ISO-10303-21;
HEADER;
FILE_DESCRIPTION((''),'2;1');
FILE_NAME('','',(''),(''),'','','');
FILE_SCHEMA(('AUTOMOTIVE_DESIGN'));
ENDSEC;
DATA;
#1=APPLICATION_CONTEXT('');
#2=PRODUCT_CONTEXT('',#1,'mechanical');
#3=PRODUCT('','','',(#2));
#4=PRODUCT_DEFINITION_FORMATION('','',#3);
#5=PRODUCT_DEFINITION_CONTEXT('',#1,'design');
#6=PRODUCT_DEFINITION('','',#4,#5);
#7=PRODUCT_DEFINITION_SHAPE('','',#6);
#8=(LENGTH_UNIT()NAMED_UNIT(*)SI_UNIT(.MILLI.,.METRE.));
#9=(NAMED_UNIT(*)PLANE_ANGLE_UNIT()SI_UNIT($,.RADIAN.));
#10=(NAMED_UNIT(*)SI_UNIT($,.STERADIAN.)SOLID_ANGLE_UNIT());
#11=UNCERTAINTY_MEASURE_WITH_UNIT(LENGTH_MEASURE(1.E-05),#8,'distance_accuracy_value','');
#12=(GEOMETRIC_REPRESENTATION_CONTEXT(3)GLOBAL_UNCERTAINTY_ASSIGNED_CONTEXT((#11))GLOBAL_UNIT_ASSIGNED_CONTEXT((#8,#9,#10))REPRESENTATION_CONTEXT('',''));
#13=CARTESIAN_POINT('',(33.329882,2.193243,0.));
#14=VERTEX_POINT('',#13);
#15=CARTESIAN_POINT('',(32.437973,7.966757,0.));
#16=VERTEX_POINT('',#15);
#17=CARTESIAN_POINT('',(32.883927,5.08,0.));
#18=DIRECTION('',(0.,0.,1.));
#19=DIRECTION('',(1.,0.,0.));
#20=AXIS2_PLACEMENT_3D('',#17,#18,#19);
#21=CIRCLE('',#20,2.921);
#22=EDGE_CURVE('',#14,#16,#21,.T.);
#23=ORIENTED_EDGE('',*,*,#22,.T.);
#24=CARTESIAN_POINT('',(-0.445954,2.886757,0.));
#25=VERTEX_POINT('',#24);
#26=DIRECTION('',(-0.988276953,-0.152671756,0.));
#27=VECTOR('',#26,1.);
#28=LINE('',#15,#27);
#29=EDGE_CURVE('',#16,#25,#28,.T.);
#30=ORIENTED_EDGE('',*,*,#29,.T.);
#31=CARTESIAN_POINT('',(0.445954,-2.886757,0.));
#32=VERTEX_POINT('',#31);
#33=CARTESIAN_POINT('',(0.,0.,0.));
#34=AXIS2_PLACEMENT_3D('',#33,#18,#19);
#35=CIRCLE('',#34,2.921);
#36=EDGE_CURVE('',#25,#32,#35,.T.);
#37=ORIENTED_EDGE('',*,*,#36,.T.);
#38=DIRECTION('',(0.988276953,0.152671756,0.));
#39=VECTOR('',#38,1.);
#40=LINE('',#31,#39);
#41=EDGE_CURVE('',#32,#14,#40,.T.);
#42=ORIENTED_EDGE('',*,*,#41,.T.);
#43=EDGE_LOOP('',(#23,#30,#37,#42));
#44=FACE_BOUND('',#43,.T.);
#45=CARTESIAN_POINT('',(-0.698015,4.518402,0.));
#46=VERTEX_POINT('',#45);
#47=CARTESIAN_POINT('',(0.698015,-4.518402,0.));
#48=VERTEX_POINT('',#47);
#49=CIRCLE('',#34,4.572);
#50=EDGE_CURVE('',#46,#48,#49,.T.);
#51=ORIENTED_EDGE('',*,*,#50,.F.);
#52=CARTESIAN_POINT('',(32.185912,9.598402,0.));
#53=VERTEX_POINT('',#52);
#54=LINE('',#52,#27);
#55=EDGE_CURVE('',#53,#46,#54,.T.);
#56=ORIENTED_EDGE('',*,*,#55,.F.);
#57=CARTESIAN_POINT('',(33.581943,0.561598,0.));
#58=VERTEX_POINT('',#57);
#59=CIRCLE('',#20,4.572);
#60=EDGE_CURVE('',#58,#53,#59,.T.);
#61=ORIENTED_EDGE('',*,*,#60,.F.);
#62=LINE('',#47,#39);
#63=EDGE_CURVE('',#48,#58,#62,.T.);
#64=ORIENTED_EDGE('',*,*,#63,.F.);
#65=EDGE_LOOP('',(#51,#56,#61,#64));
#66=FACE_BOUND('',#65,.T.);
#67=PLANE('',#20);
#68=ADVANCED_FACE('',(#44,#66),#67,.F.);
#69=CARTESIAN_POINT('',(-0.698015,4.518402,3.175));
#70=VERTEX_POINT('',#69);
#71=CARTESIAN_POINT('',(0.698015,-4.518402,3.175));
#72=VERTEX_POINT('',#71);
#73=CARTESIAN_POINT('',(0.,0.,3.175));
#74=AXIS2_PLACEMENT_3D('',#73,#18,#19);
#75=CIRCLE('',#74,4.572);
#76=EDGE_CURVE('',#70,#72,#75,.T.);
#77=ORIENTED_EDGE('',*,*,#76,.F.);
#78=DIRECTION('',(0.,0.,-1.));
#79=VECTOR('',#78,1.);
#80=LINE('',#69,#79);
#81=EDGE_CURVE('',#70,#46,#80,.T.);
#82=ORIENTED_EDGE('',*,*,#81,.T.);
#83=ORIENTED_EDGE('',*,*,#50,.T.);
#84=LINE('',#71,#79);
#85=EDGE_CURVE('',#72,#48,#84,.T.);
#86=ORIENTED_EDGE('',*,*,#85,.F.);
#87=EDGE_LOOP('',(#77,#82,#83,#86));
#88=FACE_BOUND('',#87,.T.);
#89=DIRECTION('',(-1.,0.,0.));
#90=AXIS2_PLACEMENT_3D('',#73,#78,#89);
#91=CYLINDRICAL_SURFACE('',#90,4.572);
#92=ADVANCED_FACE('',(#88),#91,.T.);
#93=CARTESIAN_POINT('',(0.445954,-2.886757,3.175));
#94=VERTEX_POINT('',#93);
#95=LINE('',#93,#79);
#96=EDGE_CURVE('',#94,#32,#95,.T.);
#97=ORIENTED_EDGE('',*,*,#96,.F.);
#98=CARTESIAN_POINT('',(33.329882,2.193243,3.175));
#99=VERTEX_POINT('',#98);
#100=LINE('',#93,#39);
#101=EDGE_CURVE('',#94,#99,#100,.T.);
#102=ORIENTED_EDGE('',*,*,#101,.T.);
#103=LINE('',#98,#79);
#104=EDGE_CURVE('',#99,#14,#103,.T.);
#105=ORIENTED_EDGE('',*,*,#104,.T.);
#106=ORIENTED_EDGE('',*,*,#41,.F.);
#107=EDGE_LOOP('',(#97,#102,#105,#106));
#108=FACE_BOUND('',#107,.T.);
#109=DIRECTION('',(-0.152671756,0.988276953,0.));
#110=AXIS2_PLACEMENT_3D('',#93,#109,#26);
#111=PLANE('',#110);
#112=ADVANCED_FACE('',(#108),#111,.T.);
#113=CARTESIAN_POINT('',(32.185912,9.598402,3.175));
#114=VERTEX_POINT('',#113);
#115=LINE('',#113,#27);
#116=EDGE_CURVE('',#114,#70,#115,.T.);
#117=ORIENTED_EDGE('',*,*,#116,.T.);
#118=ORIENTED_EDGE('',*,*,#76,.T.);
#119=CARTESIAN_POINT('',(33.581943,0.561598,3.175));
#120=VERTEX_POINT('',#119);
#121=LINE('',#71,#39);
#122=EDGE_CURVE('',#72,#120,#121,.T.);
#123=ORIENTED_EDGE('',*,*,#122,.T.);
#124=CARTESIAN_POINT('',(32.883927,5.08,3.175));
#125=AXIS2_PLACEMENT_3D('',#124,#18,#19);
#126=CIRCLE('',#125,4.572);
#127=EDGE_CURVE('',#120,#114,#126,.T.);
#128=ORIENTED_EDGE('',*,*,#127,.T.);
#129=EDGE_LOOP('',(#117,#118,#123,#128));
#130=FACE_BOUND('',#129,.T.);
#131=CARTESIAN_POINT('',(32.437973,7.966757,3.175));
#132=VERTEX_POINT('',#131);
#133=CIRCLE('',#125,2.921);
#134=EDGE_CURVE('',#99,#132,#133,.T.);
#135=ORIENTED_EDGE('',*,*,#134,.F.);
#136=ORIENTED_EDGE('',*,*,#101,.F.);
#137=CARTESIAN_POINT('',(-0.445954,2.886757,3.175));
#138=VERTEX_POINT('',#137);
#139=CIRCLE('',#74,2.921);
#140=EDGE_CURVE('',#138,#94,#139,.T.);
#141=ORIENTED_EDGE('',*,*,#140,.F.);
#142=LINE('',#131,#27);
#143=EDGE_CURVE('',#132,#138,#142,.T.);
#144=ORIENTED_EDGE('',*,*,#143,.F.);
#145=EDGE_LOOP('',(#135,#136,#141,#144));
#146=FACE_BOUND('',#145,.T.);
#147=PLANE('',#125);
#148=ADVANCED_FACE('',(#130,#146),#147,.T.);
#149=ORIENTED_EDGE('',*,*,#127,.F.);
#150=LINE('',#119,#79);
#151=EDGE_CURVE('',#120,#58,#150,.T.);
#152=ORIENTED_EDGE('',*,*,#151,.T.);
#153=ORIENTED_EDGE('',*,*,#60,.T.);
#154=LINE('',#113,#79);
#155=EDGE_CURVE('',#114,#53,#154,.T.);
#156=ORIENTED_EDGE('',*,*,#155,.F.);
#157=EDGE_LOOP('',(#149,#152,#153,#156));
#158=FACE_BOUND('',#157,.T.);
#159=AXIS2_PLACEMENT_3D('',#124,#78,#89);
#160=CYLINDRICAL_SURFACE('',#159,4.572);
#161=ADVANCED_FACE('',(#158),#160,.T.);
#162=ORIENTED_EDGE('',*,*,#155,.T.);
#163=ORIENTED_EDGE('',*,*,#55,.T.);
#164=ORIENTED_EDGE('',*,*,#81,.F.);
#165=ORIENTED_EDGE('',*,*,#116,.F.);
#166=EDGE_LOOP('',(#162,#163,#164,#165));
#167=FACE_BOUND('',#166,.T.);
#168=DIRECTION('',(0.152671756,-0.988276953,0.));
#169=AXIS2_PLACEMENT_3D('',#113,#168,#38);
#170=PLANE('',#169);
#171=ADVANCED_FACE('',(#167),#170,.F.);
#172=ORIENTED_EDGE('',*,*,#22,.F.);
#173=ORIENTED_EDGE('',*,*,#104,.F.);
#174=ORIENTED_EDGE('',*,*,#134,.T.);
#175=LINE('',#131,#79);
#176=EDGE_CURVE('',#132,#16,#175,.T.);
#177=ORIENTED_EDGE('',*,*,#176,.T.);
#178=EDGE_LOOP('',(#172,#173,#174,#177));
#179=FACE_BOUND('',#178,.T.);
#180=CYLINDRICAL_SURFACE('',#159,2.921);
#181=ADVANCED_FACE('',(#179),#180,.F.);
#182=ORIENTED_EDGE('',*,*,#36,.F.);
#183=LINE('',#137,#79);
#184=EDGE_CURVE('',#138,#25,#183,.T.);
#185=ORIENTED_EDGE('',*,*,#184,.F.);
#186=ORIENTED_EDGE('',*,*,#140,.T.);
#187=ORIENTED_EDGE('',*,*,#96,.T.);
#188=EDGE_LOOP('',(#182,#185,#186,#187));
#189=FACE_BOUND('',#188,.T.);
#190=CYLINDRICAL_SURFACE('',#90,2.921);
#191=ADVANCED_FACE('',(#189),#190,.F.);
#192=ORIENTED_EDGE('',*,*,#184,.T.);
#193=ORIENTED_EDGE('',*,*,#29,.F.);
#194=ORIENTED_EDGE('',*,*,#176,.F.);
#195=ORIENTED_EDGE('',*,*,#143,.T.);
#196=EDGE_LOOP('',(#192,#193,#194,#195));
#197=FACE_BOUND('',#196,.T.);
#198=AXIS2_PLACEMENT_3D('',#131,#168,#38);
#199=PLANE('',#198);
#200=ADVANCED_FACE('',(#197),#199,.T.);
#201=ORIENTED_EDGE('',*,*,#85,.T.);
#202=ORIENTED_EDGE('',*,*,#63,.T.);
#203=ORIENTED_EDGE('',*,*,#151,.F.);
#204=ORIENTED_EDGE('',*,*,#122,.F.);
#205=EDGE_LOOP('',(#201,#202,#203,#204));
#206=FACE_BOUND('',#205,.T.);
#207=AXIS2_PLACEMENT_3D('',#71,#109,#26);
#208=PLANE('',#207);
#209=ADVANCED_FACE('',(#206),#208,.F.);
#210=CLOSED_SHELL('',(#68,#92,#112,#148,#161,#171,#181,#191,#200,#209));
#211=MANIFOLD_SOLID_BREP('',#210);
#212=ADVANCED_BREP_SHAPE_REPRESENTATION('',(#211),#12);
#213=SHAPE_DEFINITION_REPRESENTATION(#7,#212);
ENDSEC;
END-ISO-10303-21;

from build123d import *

# Parameters (mm, degrees)
BOSS_EXTRUDE1_DEPTH = 3.175


with BuildPart() as part:
    # Sketch1 → Boss-Extrude1 (new body)
    with BuildSketch(Plane.XY):
        with BuildLine():
            Line((32.185912053, 9.598402227), (-0.698015267, 4.518402227))
            ThreePointArc((-0.698015267, 4.518402227), (-4.518402227, -0.698015267), (0.698015267, -4.518402227))
            Line((0.698015267, -4.518402227), (33.581942587, 0.561597773))
            ThreePointArc((33.581942587, 0.561597773), (37.402329547, 5.778015267), (32.185912053, 9.598402227))
        make_face()
        with BuildLine():
            Line((0.445954198, -2.886756978), (33.329881519, 2.193243022))
            ThreePointArc((33.329881519, 2.193243022), (35.770684299, 5.525954198), (32.437973122, 7.966756978))
            Line((32.437973122, 7.966756978), (-0.445954198, 2.886756978))
            ThreePointArc((-0.445954198, 2.886756978), (-2.886756978, -0.445954198), (0.445954198, -2.886756978))
        make_face(mode=Mode.SUBTRACT)
    extrude(amount=BOSS_EXTRUDE1_DEPTH)


solid = part.part
